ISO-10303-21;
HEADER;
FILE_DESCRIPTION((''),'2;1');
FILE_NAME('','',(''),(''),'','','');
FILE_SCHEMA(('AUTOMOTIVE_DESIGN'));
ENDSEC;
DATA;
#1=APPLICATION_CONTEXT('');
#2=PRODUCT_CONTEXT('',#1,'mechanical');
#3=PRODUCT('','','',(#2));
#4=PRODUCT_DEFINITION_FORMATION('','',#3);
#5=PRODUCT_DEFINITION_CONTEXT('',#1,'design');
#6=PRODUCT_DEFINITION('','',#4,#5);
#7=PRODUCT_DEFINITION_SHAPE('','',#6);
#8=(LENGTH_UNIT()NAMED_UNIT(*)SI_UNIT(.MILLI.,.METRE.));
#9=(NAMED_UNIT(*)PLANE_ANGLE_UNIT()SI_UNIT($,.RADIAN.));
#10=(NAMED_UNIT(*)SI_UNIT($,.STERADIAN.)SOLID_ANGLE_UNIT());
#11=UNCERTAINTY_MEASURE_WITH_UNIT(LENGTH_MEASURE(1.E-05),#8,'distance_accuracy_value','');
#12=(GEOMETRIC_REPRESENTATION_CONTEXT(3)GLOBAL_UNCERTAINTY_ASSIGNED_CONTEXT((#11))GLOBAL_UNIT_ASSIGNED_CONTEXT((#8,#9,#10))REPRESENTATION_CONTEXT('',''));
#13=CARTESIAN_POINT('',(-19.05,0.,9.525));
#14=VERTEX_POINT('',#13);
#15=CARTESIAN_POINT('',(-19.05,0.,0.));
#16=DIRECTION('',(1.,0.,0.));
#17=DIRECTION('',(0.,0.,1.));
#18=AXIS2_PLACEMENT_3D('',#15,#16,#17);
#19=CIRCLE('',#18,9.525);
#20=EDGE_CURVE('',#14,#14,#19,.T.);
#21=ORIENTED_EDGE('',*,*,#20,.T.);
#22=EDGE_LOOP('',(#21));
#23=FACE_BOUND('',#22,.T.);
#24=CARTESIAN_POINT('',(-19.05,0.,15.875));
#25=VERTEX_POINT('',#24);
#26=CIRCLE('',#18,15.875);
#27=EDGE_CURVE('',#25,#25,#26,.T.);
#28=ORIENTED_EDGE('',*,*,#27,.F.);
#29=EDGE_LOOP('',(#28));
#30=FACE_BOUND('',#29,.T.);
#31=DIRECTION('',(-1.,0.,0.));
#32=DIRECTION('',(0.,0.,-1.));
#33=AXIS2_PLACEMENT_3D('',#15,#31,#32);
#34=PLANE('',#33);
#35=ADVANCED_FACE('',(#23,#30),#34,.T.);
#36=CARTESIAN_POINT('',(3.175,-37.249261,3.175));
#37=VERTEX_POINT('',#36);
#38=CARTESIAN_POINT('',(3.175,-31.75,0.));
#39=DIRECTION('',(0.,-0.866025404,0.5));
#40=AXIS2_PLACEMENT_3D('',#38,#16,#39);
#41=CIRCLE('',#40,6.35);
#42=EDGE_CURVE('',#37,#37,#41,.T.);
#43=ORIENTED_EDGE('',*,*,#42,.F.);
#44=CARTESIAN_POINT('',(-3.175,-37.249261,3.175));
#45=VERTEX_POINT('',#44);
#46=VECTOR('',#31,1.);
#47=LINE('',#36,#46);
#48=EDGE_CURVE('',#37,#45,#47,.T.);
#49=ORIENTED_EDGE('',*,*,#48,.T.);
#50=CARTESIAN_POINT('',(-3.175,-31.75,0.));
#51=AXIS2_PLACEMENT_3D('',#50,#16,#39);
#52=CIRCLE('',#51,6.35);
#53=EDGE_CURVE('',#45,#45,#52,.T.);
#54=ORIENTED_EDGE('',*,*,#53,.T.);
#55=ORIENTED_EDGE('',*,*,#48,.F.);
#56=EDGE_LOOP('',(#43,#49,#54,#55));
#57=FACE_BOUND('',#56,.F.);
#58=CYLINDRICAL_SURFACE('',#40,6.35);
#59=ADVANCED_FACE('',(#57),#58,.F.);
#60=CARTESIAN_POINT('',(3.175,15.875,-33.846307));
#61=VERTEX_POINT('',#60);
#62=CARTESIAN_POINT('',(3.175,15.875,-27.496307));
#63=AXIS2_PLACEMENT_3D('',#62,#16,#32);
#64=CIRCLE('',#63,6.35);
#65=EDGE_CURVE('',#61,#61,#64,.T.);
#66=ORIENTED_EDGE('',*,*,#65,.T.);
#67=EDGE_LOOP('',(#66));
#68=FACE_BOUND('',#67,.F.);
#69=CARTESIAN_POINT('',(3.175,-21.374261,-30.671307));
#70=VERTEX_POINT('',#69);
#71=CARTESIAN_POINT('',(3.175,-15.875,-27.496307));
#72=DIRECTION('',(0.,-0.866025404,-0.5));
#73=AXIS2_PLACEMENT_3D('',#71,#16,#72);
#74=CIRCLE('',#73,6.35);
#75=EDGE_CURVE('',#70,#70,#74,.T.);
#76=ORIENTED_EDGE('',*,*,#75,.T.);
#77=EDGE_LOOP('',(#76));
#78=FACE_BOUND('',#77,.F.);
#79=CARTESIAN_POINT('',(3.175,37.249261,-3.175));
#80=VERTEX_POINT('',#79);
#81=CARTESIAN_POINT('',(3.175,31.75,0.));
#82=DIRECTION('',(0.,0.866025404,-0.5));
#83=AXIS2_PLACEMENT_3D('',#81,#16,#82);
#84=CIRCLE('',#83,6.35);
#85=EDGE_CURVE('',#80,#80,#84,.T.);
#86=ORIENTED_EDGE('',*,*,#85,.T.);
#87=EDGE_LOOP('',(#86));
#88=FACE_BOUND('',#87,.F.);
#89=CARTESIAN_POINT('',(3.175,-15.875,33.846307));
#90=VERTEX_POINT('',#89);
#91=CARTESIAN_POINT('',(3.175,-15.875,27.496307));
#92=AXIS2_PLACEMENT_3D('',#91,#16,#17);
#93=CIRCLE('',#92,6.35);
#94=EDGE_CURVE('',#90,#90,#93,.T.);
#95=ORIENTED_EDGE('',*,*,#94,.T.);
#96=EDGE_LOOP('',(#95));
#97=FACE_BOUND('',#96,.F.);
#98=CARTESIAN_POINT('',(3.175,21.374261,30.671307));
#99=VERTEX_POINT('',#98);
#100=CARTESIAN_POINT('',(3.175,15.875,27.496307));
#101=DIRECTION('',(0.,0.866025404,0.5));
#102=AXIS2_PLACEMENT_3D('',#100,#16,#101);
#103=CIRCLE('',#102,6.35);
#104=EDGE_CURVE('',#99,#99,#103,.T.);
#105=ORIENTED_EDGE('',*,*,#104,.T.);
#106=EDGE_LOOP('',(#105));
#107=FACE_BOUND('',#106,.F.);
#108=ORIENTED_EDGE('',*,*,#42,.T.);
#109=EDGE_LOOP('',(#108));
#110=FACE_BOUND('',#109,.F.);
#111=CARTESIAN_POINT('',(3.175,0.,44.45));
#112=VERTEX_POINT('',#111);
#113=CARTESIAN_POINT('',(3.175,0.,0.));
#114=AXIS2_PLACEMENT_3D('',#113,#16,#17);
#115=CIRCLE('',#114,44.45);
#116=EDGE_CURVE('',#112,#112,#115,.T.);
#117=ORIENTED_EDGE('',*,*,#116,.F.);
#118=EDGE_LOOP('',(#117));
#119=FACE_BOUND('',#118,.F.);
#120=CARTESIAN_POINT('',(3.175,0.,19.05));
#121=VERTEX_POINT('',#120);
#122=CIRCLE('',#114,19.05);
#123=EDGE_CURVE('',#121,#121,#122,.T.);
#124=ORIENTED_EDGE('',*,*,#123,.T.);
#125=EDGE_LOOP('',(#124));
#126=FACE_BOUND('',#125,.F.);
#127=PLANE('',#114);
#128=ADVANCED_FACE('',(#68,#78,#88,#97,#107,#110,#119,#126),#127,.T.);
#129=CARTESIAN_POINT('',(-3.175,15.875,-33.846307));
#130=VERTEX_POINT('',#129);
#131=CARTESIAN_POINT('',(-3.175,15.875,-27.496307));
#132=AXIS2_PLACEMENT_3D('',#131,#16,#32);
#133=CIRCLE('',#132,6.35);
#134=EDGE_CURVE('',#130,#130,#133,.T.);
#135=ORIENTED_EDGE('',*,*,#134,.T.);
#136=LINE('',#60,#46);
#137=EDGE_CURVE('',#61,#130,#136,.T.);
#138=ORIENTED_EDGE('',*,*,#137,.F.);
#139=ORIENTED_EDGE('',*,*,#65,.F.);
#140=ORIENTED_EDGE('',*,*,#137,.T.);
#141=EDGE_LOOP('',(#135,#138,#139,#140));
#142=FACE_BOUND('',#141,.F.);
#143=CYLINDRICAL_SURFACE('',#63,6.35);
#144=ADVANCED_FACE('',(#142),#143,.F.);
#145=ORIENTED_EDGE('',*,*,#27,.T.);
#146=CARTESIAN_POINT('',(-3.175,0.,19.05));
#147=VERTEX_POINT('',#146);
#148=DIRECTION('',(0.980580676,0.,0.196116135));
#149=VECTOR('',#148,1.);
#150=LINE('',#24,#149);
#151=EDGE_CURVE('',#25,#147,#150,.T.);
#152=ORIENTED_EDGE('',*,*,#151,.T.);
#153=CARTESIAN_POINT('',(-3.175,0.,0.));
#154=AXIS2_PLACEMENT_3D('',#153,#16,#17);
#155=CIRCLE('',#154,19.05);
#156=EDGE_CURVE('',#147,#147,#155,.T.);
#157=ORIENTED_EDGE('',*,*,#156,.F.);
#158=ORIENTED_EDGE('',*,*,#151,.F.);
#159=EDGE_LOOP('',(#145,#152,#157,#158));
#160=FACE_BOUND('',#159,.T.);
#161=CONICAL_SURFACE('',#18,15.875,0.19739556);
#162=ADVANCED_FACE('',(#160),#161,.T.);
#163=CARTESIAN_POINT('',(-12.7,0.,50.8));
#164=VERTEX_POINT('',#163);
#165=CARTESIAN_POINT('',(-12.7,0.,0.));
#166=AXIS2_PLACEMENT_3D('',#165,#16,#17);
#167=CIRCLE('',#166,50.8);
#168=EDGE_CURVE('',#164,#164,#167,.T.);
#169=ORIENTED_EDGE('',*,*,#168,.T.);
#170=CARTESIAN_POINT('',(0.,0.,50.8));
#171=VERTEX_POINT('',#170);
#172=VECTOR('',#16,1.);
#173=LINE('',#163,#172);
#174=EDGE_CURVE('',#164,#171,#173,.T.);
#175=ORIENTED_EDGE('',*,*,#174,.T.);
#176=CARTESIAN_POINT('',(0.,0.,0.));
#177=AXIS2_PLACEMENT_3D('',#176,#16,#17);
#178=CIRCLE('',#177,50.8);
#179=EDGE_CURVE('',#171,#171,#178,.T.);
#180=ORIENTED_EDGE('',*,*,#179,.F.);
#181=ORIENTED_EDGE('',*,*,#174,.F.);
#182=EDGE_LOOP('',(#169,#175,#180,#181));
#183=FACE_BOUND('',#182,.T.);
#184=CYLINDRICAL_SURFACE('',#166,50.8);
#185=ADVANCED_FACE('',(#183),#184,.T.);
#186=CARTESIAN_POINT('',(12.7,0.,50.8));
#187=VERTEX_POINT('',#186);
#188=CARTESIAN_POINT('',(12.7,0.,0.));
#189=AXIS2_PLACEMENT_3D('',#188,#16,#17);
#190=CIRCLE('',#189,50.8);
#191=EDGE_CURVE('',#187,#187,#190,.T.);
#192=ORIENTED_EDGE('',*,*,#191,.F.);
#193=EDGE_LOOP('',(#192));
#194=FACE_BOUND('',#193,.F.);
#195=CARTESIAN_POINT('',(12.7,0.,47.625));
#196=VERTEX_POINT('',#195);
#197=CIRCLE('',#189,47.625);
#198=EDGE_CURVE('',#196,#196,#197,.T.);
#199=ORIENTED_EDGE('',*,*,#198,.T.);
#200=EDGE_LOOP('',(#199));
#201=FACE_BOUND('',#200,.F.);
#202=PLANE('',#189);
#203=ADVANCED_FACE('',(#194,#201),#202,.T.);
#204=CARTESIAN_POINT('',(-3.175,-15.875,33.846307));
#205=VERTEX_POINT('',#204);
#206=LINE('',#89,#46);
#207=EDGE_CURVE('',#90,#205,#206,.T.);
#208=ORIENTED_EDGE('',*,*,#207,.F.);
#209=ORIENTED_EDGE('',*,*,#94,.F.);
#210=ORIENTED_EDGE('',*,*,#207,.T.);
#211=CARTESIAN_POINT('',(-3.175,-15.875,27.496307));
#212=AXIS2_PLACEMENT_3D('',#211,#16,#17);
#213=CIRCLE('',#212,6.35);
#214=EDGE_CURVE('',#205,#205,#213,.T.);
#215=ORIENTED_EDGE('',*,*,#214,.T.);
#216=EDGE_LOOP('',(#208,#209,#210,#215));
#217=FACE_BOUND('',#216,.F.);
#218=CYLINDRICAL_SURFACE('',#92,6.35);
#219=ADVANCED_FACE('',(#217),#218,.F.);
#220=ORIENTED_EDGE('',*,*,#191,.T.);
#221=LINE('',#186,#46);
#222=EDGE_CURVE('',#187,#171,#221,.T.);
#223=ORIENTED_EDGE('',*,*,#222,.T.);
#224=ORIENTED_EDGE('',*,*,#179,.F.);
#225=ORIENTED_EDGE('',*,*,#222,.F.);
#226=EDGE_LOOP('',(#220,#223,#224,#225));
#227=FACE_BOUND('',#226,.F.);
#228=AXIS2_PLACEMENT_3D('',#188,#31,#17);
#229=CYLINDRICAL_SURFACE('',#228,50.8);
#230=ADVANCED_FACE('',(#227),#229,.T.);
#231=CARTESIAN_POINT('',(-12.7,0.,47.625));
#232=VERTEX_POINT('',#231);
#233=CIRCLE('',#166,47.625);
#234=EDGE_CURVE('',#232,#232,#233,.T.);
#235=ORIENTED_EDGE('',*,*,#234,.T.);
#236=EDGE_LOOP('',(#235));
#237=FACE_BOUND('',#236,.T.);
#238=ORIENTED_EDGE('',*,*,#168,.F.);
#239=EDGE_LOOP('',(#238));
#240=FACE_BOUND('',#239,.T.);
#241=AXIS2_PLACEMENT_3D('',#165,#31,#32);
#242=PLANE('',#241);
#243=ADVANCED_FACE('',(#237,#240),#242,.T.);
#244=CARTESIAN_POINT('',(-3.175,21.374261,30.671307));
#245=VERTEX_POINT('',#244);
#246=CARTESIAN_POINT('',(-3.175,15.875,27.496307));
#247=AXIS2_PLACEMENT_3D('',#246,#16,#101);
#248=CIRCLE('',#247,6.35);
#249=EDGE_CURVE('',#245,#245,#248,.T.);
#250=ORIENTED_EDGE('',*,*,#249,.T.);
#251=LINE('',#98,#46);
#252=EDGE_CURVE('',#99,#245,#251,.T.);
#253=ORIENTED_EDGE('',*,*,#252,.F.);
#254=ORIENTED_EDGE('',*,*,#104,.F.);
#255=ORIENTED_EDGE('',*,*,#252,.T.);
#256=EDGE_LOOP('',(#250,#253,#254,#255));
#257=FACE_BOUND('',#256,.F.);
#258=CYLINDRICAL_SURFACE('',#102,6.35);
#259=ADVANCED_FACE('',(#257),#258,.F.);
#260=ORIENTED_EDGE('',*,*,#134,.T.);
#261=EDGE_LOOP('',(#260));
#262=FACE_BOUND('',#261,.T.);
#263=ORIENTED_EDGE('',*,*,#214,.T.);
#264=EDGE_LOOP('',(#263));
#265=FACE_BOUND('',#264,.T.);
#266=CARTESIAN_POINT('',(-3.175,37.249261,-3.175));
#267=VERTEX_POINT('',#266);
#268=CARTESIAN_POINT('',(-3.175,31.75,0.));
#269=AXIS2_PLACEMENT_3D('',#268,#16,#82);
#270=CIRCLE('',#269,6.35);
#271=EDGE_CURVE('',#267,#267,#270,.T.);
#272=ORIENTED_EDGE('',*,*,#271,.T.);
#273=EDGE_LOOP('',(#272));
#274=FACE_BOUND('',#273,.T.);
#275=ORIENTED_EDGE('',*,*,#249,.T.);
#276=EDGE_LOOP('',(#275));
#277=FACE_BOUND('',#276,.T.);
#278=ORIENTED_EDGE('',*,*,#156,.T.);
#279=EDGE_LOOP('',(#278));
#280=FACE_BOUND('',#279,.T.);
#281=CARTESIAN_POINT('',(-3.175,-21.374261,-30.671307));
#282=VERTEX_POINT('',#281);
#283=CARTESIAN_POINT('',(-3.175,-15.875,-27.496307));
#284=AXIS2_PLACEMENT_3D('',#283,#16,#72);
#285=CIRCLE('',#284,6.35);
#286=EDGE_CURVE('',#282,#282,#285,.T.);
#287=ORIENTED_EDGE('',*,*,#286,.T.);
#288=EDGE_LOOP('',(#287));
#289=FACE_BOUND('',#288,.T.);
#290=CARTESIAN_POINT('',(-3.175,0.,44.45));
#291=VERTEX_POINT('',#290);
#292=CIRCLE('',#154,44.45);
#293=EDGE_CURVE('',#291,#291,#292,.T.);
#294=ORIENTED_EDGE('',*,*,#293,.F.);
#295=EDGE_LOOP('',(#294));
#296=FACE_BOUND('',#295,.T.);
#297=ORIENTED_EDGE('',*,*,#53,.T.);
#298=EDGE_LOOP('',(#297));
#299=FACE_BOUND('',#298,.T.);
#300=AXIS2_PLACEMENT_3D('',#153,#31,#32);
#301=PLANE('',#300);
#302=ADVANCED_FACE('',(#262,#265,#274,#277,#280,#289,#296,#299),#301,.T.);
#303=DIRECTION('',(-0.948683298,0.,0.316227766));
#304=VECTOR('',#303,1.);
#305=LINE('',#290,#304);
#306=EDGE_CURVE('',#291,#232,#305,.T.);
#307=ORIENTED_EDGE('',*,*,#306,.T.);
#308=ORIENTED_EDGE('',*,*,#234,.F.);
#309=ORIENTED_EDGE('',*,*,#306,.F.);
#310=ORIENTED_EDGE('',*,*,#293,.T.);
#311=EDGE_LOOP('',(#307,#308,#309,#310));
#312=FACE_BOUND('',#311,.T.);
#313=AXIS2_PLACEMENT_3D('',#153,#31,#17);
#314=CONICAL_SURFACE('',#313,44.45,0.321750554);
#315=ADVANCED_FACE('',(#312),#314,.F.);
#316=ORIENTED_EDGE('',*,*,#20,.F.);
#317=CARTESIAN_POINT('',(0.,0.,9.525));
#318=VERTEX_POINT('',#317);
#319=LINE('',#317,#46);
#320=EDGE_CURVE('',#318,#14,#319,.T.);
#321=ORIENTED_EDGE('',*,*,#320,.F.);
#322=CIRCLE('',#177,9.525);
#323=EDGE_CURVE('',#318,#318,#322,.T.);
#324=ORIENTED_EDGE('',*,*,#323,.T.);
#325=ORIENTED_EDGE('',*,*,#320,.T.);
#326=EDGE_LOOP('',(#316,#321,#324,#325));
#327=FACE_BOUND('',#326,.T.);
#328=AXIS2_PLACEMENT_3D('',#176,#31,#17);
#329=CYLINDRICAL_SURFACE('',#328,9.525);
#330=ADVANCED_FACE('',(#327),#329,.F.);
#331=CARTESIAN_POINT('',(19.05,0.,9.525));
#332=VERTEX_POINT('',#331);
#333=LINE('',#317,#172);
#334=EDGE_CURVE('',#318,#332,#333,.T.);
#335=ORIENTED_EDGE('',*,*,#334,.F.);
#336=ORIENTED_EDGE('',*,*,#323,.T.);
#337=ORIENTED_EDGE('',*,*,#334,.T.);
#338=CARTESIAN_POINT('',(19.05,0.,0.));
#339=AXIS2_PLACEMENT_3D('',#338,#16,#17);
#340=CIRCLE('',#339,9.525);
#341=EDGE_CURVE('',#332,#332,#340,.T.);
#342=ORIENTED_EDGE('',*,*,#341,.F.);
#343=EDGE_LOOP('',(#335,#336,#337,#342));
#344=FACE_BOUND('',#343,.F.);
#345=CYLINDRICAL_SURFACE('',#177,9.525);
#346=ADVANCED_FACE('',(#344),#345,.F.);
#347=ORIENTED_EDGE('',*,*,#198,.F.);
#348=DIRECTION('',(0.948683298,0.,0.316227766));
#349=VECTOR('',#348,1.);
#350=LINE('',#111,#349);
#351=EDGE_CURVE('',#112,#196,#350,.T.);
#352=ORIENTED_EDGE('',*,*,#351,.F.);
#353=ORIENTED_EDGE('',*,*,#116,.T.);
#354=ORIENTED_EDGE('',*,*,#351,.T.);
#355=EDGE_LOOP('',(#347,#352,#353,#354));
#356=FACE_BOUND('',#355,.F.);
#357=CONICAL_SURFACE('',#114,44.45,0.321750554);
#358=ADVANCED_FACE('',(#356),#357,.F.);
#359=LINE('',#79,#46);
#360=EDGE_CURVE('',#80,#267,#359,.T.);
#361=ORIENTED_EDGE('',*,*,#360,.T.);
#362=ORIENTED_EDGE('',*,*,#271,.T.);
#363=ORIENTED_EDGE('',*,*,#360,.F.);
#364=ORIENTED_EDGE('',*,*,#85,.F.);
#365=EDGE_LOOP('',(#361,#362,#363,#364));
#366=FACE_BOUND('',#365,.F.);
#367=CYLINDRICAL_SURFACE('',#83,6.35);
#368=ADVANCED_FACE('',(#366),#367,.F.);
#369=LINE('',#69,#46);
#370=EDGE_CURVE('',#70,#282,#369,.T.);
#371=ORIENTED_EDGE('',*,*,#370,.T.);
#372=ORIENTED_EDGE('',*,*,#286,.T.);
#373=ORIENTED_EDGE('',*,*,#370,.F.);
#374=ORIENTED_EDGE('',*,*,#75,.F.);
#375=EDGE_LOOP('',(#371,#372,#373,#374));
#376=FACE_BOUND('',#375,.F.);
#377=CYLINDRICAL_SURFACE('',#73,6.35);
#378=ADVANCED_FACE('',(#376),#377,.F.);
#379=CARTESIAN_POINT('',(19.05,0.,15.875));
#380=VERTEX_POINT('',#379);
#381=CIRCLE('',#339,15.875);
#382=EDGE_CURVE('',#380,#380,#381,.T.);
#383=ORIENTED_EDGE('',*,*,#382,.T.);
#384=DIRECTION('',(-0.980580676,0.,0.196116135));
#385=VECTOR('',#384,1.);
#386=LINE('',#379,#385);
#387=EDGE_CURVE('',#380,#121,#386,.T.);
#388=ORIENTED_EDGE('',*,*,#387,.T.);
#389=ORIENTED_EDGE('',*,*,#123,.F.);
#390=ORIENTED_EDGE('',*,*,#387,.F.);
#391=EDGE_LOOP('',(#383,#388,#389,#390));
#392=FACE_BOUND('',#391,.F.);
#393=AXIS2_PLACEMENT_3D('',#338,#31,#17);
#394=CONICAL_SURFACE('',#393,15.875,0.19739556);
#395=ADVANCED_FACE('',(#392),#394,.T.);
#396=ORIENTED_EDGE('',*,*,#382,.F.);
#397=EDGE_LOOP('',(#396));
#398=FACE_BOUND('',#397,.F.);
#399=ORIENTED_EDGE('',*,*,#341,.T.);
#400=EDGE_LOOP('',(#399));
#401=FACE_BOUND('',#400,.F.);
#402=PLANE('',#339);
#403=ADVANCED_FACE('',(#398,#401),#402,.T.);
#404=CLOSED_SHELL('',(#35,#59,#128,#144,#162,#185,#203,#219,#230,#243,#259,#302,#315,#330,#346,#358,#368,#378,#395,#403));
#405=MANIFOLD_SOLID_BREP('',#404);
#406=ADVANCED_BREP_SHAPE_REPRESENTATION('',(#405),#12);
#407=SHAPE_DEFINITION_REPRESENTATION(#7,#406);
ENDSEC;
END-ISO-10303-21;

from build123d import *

# Parameters (mm, degrees)
SKETCH2_R          = 6.35
CUT_EXTRUDE1_DEPTH = 76.201267443
CIRPATTERN1_COUNT  = 6


with BuildPart() as part:
    # Sketch1 → Revolve1 (revolve)
    with BuildSketch(Plane.XY, mode=Mode.PRIVATE) as revolve1_sk:
        Polygon((0, 50.8), (0, 9.525), (19.05, 9.525), (19.05, 15.875), (3.175, 19.05), (3.175, 44.45), (12.7, 47.625), (12.7, 50.8), align=None)
    revolve1 = revolve(revolve1_sk.sketch.rotate(Axis((0, 0, 0), (1, 0, 0)), 90), axis=Axis((0, 0, 0), (1, 0, 0)))

    # Mirror1: Revolve1 across plane
    add(revolve1.mirror(Plane(origin=(0, 50.8, 0), x_dir=(0, 0, 1), z_dir=(1, 0, 0))))

    # Sketch2 → Cut-Extrude1 (cut, through all)
    with BuildSketch(Plane(origin=(3.175, 0, 0), x_dir=(0, 0, -1), z_dir=(1, 0, 0))):
        with Locations((27.49630657, 15.875)):
            Circle(SKETCH2_R)
    cut_extrude1 = extrude(amount=-CUT_EXTRUDE1_DEPTH, mode=Mode.SUBTRACT)

    # CirPattern1: Cut-Extrude1 ×6 about axis
    cirpattern1_axis = Axis((0, 0, 0), (1, 0, 0))
    for i in range(1, CIRPATTERN1_COUNT):
        add(cut_extrude1.rotate(cirpattern1_axis, i * 360 / CIRPATTERN1_COUNT), mode=Mode.SUBTRACT)


solid = part.part
